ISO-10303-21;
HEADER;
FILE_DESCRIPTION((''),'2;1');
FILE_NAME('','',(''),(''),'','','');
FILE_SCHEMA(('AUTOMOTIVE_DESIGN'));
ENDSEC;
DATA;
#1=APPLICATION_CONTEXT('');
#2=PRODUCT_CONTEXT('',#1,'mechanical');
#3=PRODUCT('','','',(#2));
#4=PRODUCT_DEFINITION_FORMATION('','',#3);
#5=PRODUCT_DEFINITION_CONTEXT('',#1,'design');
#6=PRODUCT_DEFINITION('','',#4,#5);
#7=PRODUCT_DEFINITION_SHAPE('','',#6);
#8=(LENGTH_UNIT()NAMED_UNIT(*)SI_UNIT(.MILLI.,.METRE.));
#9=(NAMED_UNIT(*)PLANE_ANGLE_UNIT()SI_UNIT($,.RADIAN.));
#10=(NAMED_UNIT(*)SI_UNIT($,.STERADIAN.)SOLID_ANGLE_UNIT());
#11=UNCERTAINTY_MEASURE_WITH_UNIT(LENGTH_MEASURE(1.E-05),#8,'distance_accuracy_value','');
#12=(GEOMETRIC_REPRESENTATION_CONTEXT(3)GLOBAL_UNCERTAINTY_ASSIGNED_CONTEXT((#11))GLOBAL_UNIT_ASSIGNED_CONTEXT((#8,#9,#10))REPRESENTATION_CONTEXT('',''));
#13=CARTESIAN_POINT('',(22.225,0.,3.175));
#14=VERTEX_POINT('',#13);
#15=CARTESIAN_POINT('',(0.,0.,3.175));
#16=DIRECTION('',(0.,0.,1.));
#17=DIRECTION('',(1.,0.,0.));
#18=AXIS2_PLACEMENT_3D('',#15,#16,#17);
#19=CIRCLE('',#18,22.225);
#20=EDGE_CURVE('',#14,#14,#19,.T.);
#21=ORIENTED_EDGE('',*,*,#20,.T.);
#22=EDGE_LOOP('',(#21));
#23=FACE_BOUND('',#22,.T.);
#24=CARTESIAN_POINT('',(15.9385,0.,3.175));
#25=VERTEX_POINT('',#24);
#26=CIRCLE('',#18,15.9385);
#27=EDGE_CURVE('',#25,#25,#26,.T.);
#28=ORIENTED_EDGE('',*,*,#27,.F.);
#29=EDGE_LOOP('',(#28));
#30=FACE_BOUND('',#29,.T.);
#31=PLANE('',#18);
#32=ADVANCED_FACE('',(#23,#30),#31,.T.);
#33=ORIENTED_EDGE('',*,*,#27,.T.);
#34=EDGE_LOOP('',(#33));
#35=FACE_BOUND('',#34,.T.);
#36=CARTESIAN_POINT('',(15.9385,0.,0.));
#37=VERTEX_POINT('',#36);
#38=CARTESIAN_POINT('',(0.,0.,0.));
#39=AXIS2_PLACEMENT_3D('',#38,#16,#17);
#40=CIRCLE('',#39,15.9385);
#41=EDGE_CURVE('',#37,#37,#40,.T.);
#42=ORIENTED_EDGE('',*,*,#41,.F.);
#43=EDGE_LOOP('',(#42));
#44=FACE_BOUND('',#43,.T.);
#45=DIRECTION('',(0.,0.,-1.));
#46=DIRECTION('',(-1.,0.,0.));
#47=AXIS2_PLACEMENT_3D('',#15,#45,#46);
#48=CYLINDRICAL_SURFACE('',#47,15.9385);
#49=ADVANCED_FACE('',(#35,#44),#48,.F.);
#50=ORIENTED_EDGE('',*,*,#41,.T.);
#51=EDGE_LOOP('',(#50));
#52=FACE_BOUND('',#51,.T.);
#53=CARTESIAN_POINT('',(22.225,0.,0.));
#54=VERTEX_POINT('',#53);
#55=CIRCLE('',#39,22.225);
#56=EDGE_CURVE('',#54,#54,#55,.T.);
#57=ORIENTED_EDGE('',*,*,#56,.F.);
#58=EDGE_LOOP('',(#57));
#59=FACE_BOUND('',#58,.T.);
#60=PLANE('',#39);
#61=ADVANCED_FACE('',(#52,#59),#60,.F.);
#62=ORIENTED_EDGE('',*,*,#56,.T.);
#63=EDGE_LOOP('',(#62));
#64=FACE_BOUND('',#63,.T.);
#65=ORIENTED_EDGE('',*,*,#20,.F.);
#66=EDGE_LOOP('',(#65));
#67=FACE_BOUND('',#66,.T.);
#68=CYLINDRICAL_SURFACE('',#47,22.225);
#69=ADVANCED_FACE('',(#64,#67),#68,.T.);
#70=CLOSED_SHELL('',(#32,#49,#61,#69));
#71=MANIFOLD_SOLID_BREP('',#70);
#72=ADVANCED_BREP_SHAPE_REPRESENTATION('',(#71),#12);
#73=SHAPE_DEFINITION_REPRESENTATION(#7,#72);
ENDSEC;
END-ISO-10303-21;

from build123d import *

# Parameters (mm, degrees)
SKETCH1_R           = 22.225
SKETCH1_R_2         = 15.9385
BOSS_EXTRUDE1_DEPTH = 3.175


with BuildPart() as part:
    # Sketch1 → Boss-Extrude1 (new body)
    with BuildSketch(Plane.XY):
        Circle(SKETCH1_R)
        Circle(SKETCH1_R_2, mode=Mode.SUBTRACT)
    extrude(amount=BOSS_EXTRUDE1_DEPTH)


solid = part.part
